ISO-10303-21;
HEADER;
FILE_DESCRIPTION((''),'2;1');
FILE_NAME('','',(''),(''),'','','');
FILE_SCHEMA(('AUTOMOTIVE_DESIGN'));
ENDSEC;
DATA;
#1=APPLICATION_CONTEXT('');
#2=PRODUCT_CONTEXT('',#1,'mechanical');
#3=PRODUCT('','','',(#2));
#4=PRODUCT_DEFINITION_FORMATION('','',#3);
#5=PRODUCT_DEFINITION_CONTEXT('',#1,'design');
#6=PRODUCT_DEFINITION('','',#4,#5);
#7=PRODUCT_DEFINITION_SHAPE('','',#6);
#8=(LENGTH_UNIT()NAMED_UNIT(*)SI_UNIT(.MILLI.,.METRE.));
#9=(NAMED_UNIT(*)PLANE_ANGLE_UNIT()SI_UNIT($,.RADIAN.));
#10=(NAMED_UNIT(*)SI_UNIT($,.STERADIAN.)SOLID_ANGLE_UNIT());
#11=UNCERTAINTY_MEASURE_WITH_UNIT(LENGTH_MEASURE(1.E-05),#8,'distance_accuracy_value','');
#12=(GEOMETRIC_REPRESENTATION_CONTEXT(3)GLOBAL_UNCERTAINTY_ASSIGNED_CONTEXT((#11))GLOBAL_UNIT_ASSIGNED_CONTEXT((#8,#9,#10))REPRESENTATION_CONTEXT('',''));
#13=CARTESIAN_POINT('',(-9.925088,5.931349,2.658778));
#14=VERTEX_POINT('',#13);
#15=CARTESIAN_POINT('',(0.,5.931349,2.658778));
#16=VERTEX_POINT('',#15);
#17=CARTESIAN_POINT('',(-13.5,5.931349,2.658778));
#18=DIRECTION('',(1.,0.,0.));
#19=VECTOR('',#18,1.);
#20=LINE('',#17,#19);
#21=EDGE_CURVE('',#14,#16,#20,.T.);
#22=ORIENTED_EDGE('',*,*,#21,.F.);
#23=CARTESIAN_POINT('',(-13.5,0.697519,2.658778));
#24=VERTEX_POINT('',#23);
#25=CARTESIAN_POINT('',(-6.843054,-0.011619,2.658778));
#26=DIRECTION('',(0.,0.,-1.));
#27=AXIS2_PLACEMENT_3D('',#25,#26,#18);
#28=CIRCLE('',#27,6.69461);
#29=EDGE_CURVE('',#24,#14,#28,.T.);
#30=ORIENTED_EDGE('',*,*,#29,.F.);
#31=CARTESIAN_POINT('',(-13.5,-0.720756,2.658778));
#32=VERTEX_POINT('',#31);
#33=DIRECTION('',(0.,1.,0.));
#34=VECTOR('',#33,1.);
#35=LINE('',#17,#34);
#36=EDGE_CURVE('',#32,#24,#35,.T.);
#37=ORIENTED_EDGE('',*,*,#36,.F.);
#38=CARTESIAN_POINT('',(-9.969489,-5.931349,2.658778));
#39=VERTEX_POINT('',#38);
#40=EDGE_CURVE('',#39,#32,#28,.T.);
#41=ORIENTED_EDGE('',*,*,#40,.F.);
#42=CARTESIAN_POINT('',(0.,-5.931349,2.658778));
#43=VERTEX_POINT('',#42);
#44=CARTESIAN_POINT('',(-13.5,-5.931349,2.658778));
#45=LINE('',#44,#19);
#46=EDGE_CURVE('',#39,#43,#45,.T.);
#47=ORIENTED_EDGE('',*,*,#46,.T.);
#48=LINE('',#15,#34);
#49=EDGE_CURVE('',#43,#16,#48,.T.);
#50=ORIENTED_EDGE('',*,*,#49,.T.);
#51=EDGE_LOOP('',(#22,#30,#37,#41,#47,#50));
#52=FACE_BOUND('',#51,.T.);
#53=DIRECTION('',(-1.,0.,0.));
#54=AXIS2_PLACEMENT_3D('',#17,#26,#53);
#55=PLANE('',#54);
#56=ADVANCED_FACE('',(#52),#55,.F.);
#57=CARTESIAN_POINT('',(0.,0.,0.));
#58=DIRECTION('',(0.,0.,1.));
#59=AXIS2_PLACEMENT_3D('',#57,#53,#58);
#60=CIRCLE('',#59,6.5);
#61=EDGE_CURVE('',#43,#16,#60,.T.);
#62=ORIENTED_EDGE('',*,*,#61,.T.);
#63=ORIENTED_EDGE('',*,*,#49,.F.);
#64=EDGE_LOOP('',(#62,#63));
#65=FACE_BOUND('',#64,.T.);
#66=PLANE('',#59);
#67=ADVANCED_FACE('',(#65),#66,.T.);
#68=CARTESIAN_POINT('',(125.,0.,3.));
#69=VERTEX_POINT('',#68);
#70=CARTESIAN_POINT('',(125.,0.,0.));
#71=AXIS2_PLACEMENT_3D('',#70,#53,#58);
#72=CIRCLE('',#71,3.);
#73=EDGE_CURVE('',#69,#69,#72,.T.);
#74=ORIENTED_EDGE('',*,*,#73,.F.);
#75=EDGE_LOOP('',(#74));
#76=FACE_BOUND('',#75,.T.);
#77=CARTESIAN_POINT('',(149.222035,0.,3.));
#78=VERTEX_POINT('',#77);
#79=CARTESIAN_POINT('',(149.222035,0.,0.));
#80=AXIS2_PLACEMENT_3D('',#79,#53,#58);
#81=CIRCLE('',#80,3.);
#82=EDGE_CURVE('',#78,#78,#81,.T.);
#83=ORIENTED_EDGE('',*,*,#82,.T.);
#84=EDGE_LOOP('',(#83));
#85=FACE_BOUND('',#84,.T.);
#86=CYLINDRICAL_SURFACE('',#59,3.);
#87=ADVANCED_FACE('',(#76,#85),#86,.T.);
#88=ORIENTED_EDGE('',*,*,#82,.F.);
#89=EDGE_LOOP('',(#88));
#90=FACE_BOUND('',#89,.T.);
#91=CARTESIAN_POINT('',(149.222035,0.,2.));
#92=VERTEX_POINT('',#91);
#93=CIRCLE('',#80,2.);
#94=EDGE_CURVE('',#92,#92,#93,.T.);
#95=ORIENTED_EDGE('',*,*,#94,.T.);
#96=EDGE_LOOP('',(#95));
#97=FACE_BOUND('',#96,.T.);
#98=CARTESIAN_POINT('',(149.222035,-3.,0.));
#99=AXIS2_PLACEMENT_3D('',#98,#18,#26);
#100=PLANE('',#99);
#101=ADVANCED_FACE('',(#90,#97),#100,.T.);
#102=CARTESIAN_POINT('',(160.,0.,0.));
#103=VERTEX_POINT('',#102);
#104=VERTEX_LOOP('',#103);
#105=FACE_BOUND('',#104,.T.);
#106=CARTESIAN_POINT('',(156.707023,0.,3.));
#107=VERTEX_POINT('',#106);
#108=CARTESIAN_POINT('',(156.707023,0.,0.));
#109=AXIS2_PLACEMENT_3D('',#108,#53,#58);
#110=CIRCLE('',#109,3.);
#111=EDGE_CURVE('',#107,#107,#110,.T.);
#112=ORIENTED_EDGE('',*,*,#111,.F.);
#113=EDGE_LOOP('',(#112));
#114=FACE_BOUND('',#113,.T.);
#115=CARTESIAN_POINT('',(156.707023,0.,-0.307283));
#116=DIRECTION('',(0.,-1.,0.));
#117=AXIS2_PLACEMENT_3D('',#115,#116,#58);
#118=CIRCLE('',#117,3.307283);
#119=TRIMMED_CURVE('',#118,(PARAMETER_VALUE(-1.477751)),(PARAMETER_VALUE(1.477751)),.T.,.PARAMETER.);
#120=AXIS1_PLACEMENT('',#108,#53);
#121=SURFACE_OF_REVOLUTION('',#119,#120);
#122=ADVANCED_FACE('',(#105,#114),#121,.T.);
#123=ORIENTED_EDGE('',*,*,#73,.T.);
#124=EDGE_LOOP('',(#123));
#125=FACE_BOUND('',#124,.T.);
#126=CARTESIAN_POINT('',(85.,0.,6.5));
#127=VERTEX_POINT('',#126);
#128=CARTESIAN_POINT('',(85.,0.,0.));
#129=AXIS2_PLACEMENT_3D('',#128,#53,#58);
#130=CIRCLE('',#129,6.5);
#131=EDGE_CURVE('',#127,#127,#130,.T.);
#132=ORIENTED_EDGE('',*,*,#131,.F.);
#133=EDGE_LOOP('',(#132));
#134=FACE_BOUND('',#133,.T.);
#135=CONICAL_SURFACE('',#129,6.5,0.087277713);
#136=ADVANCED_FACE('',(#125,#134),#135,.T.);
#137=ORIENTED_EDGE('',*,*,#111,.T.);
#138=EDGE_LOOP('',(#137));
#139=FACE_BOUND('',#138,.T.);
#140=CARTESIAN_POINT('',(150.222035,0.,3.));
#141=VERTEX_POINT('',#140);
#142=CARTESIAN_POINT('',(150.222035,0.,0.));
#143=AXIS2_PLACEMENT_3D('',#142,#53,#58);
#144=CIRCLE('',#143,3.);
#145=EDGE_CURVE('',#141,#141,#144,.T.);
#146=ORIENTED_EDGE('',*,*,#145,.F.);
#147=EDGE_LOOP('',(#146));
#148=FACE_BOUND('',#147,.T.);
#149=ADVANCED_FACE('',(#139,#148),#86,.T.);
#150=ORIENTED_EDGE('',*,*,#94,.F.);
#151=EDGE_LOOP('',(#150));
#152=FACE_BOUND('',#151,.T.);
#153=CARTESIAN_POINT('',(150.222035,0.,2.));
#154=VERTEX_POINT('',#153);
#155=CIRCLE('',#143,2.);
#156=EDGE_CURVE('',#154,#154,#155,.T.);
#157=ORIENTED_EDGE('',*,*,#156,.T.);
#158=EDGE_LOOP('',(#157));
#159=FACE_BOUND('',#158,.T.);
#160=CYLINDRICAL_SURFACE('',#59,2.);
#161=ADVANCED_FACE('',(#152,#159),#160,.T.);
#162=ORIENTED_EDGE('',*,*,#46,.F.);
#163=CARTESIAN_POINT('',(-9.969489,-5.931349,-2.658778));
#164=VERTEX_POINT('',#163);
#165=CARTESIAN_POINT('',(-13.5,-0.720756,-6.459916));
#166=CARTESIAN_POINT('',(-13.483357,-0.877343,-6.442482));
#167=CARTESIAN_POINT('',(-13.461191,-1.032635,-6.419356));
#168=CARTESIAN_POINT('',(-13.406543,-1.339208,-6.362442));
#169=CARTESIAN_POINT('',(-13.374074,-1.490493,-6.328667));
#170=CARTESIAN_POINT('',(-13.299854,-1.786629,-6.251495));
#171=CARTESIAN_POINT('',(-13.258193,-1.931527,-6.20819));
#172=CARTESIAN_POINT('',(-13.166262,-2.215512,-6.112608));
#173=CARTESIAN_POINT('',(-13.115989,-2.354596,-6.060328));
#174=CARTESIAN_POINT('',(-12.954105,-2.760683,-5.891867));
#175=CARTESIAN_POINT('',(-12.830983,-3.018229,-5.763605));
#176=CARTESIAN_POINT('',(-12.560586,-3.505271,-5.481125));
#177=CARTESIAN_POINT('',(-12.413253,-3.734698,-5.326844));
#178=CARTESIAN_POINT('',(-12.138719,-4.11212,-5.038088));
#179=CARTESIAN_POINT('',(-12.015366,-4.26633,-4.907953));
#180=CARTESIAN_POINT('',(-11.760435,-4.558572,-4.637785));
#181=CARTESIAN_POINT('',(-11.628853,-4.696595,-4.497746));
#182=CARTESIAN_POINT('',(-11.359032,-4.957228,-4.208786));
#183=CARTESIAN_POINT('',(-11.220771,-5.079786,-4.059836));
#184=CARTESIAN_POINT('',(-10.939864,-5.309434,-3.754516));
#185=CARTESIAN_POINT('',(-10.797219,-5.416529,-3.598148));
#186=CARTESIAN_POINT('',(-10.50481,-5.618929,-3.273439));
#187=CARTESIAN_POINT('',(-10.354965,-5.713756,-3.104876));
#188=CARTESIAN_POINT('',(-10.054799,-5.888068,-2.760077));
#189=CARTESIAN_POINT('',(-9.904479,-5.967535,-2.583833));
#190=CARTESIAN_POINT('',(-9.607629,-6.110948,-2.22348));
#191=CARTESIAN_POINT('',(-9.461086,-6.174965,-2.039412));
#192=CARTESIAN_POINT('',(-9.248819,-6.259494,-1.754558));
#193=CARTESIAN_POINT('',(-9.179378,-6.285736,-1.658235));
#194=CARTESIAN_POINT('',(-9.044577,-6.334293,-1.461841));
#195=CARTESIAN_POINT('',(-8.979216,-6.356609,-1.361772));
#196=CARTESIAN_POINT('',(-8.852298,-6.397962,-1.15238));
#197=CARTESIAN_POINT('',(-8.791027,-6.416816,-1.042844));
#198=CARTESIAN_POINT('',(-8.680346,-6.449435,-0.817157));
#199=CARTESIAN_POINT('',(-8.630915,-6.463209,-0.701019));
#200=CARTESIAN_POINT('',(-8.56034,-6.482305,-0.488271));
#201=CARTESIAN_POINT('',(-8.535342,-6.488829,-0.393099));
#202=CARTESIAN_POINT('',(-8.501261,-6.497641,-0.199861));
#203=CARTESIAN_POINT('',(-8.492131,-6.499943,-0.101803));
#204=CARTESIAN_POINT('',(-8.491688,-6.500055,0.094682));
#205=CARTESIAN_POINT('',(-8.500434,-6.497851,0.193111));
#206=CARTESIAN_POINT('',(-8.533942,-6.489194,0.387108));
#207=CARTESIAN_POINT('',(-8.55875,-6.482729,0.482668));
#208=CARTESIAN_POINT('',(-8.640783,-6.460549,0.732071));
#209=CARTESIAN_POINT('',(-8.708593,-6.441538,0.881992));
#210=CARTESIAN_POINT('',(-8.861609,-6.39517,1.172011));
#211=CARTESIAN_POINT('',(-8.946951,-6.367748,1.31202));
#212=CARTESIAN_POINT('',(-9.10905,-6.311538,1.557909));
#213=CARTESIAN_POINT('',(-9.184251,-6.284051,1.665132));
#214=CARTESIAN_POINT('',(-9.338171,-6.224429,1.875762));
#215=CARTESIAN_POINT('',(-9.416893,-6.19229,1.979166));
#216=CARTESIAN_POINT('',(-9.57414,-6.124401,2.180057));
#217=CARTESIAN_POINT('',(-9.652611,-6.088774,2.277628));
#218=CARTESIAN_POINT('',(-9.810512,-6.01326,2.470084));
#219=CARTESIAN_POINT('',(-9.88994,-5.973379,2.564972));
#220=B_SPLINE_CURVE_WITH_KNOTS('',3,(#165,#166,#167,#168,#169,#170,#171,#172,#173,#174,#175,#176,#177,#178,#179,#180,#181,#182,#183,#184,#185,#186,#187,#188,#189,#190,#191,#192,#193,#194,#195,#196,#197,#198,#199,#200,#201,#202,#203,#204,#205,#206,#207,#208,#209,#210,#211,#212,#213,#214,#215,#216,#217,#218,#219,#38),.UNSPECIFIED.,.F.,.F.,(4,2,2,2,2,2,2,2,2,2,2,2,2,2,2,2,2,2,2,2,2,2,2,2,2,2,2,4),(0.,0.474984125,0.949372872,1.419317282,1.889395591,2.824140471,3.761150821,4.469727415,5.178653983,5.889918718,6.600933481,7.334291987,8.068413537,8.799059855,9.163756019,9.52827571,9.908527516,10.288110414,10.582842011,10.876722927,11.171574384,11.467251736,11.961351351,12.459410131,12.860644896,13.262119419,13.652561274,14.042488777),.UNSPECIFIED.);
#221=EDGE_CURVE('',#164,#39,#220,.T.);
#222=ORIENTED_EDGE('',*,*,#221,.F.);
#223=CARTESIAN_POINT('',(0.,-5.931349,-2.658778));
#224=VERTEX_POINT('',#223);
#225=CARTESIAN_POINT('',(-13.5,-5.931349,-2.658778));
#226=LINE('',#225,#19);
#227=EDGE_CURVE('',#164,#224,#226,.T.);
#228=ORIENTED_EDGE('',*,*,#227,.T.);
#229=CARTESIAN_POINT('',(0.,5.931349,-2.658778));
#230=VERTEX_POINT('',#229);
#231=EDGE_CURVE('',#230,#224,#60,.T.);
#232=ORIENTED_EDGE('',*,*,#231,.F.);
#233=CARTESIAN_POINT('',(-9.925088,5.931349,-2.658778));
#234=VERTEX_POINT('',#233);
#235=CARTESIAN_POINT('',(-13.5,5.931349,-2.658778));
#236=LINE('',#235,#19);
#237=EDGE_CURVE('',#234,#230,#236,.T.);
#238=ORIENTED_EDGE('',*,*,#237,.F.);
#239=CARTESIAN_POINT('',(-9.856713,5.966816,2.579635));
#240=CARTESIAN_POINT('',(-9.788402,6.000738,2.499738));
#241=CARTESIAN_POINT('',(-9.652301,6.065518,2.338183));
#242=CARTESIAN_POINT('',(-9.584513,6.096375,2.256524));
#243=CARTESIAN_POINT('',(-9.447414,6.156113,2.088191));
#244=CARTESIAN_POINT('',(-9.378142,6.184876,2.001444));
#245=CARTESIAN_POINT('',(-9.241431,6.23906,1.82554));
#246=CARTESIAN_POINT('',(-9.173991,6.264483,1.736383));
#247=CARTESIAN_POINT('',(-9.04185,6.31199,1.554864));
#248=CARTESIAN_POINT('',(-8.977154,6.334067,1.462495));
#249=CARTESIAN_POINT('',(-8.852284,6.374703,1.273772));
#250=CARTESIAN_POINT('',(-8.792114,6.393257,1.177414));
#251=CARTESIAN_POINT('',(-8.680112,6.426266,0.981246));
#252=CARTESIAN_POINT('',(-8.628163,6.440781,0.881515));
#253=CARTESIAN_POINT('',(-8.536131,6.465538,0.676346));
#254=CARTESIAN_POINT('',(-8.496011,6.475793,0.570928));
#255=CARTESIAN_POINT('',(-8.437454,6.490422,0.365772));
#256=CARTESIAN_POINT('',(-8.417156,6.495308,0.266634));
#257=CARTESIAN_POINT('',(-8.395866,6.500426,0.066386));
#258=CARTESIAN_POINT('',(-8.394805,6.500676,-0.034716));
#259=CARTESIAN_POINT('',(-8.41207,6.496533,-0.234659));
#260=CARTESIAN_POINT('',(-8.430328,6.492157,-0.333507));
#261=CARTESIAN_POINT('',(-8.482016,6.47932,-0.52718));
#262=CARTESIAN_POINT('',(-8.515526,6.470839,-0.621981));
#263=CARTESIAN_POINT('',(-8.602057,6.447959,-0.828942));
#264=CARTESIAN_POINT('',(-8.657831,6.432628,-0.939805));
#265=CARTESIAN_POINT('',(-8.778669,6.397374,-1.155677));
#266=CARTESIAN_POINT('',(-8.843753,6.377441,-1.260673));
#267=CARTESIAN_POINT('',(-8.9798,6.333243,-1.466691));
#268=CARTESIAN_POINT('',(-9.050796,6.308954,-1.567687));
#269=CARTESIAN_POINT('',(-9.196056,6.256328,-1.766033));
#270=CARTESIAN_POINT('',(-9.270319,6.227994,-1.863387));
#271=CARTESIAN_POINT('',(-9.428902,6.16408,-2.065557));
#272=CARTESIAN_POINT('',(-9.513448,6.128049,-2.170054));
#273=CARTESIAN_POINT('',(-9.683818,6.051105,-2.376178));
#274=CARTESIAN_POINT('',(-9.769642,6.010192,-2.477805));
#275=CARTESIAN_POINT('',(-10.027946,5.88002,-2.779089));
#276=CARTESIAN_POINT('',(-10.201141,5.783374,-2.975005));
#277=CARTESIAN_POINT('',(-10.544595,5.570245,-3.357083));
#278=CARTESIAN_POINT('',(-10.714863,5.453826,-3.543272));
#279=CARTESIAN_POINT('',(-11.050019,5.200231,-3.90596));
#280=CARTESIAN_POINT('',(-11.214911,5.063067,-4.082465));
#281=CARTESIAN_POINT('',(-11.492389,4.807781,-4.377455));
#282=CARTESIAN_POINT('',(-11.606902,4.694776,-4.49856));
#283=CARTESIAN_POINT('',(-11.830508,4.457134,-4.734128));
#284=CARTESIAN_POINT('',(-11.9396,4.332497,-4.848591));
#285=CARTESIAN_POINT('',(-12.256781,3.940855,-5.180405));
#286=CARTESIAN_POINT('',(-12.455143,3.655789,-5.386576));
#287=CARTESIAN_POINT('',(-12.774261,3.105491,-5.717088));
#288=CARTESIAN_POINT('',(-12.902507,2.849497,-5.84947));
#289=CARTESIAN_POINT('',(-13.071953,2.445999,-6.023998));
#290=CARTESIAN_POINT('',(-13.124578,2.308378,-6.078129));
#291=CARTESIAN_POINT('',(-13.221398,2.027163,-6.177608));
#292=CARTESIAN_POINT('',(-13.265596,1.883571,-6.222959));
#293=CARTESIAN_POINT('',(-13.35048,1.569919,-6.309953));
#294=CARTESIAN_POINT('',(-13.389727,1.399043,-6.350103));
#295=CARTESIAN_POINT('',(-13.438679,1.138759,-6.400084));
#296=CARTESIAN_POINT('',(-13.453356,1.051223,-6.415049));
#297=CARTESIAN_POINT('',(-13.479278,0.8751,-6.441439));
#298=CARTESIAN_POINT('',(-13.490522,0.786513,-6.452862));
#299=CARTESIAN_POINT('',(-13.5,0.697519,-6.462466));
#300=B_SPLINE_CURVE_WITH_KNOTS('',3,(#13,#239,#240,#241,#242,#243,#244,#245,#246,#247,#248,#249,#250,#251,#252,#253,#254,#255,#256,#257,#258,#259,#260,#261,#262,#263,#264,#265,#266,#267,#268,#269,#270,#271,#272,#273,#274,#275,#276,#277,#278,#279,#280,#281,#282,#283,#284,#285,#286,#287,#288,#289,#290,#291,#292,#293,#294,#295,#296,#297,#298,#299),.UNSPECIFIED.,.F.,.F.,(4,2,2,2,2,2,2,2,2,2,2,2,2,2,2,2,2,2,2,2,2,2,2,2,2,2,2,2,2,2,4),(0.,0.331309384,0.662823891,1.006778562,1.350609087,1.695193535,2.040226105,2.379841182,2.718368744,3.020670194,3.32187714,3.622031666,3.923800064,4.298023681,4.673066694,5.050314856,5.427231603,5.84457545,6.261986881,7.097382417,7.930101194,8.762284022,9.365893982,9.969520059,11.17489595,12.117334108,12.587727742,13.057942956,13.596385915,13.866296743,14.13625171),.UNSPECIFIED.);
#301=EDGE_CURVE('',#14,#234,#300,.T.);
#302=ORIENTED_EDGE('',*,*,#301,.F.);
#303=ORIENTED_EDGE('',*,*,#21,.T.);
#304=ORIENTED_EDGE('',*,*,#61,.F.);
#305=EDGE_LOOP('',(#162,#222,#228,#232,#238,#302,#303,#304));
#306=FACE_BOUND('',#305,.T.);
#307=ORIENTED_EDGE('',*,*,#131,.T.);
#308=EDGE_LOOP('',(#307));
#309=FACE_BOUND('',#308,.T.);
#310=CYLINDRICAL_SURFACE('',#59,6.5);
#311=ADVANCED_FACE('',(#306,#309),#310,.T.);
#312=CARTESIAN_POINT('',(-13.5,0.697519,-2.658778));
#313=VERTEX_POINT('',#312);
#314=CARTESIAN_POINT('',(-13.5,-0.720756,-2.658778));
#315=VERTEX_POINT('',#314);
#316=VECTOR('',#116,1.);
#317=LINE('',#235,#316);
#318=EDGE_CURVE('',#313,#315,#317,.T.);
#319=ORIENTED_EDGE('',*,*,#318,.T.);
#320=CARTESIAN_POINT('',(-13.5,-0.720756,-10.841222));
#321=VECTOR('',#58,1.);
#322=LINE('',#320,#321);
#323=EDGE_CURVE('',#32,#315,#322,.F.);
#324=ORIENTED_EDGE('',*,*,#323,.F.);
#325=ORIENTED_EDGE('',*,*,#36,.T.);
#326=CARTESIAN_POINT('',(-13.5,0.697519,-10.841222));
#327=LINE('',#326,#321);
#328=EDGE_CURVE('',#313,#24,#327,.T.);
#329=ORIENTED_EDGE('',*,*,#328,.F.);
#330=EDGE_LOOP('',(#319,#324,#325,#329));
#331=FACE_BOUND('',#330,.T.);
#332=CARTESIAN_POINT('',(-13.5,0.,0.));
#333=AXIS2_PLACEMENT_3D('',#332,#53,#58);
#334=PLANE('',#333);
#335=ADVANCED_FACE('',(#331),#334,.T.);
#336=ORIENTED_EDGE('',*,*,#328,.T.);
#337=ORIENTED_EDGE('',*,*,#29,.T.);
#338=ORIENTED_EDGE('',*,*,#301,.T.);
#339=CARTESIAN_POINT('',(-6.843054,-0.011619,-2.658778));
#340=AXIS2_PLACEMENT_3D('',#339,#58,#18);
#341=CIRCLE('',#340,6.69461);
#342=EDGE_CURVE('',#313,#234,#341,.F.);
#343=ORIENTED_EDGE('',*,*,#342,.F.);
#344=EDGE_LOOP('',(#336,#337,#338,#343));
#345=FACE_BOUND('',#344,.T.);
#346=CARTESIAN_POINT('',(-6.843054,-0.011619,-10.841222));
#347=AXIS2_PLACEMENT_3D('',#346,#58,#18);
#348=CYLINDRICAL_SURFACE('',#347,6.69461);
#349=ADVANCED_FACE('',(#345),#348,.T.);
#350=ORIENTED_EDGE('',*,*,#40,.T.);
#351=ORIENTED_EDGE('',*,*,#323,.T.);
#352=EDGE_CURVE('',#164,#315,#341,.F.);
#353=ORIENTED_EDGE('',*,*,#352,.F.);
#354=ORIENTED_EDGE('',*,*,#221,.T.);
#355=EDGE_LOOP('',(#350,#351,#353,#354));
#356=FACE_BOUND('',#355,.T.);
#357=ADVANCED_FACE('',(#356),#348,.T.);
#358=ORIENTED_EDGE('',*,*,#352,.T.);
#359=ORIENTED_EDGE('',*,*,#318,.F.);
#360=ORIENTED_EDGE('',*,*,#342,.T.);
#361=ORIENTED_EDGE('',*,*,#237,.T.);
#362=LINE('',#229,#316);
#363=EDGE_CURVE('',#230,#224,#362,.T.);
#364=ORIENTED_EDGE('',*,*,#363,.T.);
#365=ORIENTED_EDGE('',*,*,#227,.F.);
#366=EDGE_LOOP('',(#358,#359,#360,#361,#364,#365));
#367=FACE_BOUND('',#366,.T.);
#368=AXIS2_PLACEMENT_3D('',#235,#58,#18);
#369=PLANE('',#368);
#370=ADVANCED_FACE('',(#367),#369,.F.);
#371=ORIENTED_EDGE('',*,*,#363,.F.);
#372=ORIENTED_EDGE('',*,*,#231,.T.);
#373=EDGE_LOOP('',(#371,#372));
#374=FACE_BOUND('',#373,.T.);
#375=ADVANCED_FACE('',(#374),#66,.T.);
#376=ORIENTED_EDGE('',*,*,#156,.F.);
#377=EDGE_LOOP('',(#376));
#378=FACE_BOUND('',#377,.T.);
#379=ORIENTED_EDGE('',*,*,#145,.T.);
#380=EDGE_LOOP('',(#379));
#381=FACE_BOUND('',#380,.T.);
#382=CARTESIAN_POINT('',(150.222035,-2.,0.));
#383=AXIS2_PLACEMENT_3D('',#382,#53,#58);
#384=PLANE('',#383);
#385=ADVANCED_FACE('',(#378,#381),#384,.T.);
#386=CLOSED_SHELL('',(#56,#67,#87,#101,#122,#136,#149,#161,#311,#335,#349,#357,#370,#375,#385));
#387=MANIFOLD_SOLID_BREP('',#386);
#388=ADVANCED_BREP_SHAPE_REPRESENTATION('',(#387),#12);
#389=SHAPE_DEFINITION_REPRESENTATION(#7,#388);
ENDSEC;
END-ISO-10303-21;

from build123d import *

# Parameters (mm, degrees)
BOSS_EXTRUDE1_DEPTH = 13.5
CUT_EXTRUDE1_DEPTH  = 13.5


with BuildPart() as part:
    # Sketch1 → Revolve1 (revolve)
    with BuildSketch(Plane.XY):
        with BuildLine():
            Line((0, 0), (0, -6.5))
            Line((0, -6.5), (85, -6.5))
            Line((85, -6.5), (125, -3))
            Line((125, -3), (149.222035298, -3))
            Line((149.222035298, -3), (149.222035298, -2))
            Line((149.222035298, -2), (150.222035298, -2))
            Line((150.222035298, -2), (150.222035298, -3))
            Line((150.222035298, -3), (156.707023179, -3))
            ThreePointArc((156.707023179, -3), (158.934336378, -2.137547522), (160, 0))
            Line((160, 0), (0, 0))
        make_face()
    revolve(axis=Axis((0, 0, 0), (1, 0, 0)))

    # Sketch2 → Boss-Extrude1 (add)
    with BuildSketch(Plane.ZY):
        with BuildLine():
            Line((-2.658777536, 5.931349089), (-2.658777536, -5.931349089))
            ThreePointArc((-2.658777536, -5.931349089), (0, -6.5), (2.658777536, -5.931349089))
            Line((2.658777536, -5.931349089), (2.658777536, 5.931349089))
            ThreePointArc((2.658777536, 5.931349089), (0, 6.5), (-2.658777536, 5.931349089))
        make_face()
    extrude(amount=BOSS_EXTRUDE1_DEPTH)

    # Sketch3 → Cut-Extrude1 (cut)
    with BuildSketch(Plane.XY.offset(2.658777536)):
        with BuildLine():
            Line((-7.271115967, 6.669291611), (-14.242543504, 7.619628139))
            Line((-14.242543504, 7.619628139), (-14.81279281, -7.656627724))
            Line((-14.81279281, -7.656627724), (-6.247435847, -8.529121085))
            Line((-6.247435847, -8.529121085), (-7.632896548, -6.659471856))
            ThreePointArc((-7.632896548, -6.659471856), (-13.535199526, 0.170025059), (-7.271115967, 6.669291611))
        make_face()
    extrude(amount=-CUT_EXTRUDE1_DEPTH, mode=Mode.SUBTRACT)


solid = part.part
